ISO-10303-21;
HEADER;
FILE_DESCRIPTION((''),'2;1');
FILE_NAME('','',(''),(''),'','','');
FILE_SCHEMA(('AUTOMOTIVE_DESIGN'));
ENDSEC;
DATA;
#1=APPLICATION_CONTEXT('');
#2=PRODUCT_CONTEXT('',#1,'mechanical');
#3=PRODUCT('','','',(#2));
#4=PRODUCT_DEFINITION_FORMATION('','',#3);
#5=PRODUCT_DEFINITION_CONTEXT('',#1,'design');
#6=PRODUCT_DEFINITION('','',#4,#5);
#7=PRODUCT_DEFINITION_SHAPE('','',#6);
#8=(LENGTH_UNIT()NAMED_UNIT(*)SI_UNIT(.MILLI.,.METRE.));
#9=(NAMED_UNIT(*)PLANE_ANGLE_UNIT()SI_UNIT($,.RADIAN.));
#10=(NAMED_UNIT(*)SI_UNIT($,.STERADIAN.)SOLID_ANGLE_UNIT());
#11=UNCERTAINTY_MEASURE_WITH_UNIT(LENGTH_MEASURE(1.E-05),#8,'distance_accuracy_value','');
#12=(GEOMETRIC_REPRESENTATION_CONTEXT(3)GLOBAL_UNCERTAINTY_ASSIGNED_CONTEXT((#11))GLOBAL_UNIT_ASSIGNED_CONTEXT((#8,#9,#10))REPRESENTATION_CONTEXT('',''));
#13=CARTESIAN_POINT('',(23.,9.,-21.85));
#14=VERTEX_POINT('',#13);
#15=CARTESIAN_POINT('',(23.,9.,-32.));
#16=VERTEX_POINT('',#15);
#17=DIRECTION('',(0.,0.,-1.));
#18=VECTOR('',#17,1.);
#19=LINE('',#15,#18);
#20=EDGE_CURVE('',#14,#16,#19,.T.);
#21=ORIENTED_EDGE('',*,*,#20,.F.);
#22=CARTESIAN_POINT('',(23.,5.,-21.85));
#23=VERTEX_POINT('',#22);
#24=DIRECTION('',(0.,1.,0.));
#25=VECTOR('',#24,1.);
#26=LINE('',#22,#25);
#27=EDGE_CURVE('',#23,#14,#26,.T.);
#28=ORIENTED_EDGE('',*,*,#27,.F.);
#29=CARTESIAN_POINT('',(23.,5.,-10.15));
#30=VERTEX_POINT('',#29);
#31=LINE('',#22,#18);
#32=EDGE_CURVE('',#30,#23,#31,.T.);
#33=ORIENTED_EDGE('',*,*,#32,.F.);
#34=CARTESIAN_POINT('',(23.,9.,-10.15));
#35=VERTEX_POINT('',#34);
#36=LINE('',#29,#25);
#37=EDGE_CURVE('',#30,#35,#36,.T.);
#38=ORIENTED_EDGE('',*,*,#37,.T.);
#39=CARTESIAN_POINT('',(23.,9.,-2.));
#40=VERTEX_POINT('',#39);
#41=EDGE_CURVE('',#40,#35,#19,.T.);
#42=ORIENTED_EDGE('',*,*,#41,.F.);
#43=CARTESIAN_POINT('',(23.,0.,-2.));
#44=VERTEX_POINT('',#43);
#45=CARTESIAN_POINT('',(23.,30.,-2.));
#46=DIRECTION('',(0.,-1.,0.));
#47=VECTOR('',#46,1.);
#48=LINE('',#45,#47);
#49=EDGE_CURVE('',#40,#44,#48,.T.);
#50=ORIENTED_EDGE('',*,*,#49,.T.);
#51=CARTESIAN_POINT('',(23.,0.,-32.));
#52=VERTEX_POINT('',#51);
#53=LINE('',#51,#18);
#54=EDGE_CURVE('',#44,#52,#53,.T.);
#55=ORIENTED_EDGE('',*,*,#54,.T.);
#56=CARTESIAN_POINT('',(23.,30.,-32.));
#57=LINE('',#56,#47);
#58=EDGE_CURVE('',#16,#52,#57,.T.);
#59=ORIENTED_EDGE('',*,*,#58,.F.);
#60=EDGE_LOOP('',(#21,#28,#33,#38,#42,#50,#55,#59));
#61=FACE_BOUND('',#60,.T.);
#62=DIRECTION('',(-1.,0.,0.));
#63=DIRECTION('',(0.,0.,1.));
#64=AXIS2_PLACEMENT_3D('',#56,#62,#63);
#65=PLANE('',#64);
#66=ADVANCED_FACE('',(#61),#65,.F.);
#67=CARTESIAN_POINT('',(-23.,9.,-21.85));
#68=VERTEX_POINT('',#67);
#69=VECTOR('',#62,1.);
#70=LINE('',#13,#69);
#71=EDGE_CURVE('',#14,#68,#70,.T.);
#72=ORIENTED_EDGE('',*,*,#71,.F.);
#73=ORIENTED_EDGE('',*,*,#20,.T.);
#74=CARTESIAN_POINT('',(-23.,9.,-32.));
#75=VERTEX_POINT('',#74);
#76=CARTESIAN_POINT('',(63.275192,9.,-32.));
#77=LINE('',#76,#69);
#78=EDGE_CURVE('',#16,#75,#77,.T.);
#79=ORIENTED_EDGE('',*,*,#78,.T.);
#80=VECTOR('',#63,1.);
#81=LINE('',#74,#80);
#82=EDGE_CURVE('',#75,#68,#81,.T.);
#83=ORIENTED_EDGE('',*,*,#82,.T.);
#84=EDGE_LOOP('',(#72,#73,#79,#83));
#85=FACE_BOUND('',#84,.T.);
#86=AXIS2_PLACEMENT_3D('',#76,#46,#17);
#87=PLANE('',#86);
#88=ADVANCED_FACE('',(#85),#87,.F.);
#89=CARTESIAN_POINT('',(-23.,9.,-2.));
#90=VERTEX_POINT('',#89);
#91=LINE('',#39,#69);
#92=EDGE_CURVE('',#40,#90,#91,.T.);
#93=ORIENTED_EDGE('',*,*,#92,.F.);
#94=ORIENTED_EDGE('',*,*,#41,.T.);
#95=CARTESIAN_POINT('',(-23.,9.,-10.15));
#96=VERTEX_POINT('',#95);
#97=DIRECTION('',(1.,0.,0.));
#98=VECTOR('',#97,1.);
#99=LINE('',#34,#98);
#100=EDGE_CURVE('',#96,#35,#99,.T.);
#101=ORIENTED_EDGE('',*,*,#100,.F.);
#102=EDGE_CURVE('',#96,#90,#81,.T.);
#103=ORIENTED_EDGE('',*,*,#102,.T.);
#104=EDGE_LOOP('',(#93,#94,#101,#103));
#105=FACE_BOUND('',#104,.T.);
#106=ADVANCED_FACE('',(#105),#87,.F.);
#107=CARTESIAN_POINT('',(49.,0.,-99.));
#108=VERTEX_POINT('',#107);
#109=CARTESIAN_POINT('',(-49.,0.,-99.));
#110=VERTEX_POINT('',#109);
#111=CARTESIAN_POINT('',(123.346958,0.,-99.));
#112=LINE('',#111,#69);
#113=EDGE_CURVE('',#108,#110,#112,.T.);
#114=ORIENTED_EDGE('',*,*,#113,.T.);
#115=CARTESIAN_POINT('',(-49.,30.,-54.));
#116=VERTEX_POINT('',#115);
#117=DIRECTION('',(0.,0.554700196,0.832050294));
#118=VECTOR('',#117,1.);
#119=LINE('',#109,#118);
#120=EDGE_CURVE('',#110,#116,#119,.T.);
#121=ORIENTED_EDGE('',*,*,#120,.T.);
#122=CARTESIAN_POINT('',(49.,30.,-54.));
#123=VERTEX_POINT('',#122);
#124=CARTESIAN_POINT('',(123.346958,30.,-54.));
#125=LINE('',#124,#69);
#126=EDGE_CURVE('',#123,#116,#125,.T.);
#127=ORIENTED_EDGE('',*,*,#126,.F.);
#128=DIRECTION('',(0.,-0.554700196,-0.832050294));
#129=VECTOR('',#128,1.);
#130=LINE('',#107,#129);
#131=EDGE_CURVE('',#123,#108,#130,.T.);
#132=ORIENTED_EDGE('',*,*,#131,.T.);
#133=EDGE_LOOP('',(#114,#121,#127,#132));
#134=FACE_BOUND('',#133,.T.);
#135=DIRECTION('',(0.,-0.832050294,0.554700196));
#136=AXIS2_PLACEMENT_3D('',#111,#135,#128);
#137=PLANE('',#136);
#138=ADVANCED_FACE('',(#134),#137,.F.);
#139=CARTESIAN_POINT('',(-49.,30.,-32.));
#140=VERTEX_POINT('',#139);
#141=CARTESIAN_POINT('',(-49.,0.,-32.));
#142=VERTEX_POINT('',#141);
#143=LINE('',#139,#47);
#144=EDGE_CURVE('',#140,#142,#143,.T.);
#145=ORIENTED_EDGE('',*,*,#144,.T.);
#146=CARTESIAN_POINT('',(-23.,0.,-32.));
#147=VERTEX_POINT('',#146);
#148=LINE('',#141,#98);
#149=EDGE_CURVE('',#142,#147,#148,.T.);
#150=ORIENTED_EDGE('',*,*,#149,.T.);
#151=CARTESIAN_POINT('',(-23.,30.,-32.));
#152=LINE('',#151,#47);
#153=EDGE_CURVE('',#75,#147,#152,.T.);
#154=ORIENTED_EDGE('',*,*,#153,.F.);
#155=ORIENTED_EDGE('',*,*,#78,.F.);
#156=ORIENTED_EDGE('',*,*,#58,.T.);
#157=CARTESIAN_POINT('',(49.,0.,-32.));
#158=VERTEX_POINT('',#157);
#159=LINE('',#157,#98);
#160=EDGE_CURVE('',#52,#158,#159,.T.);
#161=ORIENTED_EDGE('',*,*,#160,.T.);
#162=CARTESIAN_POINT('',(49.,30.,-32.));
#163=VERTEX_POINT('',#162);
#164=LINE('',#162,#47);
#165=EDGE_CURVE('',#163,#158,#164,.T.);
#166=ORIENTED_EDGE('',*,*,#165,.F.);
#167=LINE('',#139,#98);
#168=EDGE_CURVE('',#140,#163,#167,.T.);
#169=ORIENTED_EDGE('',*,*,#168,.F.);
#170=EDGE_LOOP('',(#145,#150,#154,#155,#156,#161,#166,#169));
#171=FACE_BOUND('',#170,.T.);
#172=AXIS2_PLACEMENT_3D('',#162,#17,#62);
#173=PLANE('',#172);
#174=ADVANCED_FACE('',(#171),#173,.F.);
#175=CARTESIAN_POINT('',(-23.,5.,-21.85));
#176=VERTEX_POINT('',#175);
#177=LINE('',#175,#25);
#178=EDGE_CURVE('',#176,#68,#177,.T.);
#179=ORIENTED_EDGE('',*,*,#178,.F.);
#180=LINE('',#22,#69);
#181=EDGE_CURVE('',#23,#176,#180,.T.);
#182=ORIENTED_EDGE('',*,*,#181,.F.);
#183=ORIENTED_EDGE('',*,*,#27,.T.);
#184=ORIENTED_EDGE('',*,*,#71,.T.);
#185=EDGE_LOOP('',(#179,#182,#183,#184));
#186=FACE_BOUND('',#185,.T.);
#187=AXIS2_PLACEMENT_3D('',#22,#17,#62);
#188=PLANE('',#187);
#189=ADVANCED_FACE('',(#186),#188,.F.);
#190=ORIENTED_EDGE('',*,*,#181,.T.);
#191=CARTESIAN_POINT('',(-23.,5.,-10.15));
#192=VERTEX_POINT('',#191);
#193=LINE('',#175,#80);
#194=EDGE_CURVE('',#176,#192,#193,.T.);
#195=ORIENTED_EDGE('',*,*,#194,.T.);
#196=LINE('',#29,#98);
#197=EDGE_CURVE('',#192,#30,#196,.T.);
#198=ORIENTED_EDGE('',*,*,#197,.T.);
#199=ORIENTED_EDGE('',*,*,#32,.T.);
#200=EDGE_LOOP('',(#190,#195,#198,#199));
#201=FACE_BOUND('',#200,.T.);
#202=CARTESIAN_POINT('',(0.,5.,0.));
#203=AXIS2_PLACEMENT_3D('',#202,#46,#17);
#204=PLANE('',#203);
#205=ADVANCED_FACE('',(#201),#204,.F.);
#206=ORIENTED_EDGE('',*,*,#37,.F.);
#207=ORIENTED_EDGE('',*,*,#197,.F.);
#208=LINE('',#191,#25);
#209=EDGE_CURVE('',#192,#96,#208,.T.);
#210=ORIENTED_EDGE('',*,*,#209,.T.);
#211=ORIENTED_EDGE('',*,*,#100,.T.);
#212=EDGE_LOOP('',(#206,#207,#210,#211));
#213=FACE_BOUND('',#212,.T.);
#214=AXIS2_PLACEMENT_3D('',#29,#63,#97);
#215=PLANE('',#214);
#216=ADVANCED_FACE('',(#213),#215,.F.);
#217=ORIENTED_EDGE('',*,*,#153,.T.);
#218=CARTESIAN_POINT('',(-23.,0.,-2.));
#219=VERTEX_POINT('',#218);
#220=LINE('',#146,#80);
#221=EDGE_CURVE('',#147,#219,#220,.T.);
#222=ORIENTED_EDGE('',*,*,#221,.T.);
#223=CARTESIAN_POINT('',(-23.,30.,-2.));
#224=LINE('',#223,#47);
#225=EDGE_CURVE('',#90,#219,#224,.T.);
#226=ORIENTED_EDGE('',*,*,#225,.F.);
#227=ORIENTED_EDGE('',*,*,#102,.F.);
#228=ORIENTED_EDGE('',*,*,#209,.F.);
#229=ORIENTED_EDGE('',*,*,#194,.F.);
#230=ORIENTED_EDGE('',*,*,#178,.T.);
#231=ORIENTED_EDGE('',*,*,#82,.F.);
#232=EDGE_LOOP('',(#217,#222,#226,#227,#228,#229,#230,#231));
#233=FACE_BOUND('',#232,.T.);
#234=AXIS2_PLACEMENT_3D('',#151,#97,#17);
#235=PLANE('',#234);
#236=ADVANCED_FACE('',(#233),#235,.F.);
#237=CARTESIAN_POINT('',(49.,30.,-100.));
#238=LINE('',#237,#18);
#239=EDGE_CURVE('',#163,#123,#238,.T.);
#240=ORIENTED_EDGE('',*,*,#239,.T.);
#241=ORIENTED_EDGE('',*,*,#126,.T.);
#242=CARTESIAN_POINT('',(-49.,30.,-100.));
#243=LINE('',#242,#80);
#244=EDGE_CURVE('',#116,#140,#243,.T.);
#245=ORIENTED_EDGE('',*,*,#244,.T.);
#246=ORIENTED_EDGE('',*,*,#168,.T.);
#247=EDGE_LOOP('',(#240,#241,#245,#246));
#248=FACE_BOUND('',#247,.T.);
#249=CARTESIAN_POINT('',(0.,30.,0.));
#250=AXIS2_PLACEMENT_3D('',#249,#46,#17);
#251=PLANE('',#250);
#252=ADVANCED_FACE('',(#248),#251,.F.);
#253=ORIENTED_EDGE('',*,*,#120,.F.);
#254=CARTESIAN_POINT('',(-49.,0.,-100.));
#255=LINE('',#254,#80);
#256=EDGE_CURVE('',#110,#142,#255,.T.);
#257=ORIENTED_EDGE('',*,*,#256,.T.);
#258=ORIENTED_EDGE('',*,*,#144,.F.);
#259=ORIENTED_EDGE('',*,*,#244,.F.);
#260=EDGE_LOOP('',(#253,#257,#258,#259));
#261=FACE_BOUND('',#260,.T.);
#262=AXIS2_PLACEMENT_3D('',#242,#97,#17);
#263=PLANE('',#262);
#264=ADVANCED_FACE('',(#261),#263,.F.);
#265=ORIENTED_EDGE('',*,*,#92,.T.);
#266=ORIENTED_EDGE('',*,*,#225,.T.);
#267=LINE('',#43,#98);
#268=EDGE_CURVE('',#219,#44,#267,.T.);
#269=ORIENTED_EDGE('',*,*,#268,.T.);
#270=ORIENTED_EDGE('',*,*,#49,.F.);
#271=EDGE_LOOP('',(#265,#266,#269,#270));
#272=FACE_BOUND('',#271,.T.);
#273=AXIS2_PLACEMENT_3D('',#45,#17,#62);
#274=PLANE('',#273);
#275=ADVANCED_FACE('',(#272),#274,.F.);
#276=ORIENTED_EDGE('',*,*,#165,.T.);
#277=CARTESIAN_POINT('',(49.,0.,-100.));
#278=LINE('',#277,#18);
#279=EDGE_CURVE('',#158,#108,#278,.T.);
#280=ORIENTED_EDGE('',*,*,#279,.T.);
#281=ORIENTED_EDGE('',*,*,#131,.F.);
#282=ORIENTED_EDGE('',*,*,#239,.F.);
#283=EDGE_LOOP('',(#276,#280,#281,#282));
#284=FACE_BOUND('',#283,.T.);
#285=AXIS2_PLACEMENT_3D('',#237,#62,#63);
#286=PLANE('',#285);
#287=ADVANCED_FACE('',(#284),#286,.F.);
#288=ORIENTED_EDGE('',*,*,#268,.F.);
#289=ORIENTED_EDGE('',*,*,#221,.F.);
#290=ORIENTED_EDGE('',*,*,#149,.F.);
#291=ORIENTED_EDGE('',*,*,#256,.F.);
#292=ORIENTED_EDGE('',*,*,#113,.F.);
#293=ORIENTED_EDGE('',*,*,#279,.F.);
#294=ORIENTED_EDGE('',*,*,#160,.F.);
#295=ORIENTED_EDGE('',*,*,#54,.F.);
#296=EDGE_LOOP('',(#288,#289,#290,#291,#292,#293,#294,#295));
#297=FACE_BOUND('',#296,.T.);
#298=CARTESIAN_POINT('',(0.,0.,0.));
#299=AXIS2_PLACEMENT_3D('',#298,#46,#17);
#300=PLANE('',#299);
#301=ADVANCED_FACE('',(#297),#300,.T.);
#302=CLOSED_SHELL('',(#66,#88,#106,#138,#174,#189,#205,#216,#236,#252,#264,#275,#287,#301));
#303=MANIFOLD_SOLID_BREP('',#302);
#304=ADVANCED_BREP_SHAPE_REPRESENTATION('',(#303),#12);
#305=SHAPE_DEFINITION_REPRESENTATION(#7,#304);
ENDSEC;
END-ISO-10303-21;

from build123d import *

# Parameters (mm, degrees)
EXTRUDE_1_DEPTH     = 30
CUT_EXTRUDE_1_DEPTH = 98
SKETCH_3_W          = 46
SKETCH_3_H          = 11.7
CUT_EXTRUDE_2_DEPTH = 25
SKETCH_4_W          = 33.079477917
SKETCH_4_H          = 22.974752345
CUT_EXTRUDE_3_DEPTH = 46


with BuildPart() as part:
    # Эскиз1 → Бобышка-Вытянуть1 (new body)
    with BuildSketch(Plane(origin=(0, 0, 0), x_dir=(1, 0, 0), z_dir=(0, 1, 0))):
        Polygon((-49, 100), (49, 100), (49, 32), (23, 32), (23, 2), (-23, 2), (-23, 32), (-49, 32), align=None)
    extrude(amount=EXTRUDE_1_DEPTH)

    # Эскиз2 → Вырез-Вытянуть1 (cut)
    with BuildSketch(Plane.ZY.offset(49)):
        Polygon((-99, 0), (-54, 30), (-54, 44.902794758), (-113.255457038, 44.902794758), (-113.255457038, 0), align=None)
    extrude(amount=-CUT_EXTRUDE_1_DEPTH, mode=Mode.SUBTRACT)

    # Эскиз3 → Вырез-Вытянуть2 (cut)
    with BuildSketch(Plane(origin=(0, 30, 0), x_dir=(1, 0, 0), z_dir=(0, 1, 0))):
        with Locations((0, 16)):
            Rectangle(SKETCH_3_W, SKETCH_3_H)
    extrude(amount=-CUT_EXTRUDE_2_DEPTH, mode=Mode.SUBTRACT)

    # Эскиз4 → Вырез-Вытянуть3 (cut)
    with BuildSketch(Plane.ZY.offset(23)):
        with Locations((-15.460261042, 20.487376172)):
            Rectangle(SKETCH_4_W, SKETCH_4_H)
    extrude(amount=-CUT_EXTRUDE_3_DEPTH, mode=Mode.SUBTRACT)


solid = part.part
